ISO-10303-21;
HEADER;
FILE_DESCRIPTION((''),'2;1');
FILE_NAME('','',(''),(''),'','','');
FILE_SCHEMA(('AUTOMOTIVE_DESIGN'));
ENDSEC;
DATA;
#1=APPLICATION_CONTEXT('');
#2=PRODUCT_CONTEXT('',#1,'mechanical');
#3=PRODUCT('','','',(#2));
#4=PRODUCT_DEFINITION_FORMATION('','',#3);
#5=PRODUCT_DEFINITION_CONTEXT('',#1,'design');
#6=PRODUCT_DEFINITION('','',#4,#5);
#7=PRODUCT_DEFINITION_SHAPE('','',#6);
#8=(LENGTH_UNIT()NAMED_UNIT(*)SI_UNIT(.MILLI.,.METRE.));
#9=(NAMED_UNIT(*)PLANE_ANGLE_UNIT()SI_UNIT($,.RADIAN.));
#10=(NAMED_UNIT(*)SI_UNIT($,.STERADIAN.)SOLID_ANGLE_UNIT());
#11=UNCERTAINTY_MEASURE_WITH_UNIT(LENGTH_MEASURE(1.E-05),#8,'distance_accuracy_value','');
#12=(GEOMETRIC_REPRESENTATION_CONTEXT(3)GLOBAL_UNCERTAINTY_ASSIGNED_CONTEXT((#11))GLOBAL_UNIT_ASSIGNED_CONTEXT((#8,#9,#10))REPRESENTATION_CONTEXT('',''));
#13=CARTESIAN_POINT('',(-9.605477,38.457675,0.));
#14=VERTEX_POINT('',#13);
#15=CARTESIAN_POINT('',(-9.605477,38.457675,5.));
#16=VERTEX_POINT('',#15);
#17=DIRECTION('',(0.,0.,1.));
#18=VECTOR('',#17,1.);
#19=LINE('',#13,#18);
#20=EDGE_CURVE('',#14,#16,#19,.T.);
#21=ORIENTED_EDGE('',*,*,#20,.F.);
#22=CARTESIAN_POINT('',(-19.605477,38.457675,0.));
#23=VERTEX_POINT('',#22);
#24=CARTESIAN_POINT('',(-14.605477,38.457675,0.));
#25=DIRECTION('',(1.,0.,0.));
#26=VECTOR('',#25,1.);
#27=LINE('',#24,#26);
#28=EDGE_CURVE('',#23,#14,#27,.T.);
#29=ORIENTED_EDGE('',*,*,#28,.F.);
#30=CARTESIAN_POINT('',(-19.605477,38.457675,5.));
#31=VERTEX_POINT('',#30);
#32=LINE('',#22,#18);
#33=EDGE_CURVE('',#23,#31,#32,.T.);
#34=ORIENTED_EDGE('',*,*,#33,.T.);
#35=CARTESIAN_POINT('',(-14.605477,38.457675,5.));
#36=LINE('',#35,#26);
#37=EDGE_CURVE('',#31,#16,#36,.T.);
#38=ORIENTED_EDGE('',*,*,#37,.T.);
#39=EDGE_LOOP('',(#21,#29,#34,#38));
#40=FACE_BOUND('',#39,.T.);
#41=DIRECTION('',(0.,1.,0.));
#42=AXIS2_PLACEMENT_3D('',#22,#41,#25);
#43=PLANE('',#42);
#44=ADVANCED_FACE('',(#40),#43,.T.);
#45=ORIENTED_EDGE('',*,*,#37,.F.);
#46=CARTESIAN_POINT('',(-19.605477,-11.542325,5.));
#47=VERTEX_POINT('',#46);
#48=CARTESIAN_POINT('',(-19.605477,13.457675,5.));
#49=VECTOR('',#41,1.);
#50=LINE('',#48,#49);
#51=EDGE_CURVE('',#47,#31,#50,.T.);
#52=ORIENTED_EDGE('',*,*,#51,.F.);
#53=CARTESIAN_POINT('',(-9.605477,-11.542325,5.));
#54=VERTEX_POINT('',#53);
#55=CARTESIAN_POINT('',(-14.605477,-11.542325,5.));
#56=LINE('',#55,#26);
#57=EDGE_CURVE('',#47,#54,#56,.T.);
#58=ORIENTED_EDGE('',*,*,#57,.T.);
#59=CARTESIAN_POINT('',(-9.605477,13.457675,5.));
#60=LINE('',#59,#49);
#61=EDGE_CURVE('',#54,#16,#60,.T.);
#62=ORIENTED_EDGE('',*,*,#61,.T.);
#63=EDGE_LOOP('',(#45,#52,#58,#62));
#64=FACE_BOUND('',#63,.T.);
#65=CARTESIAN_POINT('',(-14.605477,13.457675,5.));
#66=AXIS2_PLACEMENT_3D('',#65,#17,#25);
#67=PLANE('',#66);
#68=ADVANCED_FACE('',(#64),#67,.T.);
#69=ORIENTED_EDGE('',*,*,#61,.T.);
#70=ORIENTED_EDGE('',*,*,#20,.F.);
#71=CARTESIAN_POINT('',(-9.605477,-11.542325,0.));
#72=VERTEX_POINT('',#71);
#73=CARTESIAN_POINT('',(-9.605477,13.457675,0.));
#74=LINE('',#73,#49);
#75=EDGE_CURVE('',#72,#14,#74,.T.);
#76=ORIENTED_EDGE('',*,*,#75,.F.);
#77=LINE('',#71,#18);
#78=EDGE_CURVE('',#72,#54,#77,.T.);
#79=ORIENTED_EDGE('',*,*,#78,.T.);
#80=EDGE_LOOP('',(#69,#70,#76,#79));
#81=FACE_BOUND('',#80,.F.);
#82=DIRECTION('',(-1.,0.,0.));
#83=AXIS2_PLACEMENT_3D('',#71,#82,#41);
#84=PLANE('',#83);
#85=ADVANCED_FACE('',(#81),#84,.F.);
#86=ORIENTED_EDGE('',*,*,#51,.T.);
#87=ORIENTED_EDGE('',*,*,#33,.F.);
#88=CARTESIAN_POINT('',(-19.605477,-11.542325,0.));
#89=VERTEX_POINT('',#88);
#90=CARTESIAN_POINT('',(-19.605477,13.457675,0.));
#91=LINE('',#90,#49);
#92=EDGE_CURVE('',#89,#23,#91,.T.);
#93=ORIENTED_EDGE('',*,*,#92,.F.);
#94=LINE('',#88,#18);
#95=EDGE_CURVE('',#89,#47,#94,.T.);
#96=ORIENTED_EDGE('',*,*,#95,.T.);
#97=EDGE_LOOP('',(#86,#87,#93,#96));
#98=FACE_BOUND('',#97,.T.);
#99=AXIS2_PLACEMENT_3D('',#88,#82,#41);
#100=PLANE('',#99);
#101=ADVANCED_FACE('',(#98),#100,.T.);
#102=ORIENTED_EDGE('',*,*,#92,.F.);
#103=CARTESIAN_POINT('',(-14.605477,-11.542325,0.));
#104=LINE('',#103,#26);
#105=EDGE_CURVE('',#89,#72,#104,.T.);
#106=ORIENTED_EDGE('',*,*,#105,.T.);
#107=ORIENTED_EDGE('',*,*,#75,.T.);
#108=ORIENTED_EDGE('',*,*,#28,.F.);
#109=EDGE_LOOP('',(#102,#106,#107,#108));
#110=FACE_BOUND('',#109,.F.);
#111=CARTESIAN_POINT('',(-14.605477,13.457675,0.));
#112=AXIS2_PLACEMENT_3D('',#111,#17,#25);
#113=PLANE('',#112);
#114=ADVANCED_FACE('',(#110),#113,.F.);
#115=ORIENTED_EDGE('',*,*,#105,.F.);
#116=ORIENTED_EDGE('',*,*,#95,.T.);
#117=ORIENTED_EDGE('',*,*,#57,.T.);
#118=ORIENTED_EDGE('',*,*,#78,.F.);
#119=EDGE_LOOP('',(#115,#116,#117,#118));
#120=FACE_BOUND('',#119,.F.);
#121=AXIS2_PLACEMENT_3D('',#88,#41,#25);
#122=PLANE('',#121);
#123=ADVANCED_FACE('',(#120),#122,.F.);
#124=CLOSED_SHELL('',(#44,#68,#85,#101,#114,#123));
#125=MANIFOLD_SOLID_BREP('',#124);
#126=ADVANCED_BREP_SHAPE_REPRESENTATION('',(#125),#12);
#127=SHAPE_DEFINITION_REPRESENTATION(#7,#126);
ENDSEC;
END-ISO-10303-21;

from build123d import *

# Parameters (mm, degrees)
SKETCH_W  = 10
SKETCH_H  = 50
PAD_DEPTH = 5


with BuildPart() as part:
    # Sketch → Pad (new body)
    with BuildSketch(Plane.XY):
        with Locations((-14.605477, 13.457675)):
            Rectangle(SKETCH_W, SKETCH_H)
    extrude(amount=PAD_DEPTH)


solid = part.part
